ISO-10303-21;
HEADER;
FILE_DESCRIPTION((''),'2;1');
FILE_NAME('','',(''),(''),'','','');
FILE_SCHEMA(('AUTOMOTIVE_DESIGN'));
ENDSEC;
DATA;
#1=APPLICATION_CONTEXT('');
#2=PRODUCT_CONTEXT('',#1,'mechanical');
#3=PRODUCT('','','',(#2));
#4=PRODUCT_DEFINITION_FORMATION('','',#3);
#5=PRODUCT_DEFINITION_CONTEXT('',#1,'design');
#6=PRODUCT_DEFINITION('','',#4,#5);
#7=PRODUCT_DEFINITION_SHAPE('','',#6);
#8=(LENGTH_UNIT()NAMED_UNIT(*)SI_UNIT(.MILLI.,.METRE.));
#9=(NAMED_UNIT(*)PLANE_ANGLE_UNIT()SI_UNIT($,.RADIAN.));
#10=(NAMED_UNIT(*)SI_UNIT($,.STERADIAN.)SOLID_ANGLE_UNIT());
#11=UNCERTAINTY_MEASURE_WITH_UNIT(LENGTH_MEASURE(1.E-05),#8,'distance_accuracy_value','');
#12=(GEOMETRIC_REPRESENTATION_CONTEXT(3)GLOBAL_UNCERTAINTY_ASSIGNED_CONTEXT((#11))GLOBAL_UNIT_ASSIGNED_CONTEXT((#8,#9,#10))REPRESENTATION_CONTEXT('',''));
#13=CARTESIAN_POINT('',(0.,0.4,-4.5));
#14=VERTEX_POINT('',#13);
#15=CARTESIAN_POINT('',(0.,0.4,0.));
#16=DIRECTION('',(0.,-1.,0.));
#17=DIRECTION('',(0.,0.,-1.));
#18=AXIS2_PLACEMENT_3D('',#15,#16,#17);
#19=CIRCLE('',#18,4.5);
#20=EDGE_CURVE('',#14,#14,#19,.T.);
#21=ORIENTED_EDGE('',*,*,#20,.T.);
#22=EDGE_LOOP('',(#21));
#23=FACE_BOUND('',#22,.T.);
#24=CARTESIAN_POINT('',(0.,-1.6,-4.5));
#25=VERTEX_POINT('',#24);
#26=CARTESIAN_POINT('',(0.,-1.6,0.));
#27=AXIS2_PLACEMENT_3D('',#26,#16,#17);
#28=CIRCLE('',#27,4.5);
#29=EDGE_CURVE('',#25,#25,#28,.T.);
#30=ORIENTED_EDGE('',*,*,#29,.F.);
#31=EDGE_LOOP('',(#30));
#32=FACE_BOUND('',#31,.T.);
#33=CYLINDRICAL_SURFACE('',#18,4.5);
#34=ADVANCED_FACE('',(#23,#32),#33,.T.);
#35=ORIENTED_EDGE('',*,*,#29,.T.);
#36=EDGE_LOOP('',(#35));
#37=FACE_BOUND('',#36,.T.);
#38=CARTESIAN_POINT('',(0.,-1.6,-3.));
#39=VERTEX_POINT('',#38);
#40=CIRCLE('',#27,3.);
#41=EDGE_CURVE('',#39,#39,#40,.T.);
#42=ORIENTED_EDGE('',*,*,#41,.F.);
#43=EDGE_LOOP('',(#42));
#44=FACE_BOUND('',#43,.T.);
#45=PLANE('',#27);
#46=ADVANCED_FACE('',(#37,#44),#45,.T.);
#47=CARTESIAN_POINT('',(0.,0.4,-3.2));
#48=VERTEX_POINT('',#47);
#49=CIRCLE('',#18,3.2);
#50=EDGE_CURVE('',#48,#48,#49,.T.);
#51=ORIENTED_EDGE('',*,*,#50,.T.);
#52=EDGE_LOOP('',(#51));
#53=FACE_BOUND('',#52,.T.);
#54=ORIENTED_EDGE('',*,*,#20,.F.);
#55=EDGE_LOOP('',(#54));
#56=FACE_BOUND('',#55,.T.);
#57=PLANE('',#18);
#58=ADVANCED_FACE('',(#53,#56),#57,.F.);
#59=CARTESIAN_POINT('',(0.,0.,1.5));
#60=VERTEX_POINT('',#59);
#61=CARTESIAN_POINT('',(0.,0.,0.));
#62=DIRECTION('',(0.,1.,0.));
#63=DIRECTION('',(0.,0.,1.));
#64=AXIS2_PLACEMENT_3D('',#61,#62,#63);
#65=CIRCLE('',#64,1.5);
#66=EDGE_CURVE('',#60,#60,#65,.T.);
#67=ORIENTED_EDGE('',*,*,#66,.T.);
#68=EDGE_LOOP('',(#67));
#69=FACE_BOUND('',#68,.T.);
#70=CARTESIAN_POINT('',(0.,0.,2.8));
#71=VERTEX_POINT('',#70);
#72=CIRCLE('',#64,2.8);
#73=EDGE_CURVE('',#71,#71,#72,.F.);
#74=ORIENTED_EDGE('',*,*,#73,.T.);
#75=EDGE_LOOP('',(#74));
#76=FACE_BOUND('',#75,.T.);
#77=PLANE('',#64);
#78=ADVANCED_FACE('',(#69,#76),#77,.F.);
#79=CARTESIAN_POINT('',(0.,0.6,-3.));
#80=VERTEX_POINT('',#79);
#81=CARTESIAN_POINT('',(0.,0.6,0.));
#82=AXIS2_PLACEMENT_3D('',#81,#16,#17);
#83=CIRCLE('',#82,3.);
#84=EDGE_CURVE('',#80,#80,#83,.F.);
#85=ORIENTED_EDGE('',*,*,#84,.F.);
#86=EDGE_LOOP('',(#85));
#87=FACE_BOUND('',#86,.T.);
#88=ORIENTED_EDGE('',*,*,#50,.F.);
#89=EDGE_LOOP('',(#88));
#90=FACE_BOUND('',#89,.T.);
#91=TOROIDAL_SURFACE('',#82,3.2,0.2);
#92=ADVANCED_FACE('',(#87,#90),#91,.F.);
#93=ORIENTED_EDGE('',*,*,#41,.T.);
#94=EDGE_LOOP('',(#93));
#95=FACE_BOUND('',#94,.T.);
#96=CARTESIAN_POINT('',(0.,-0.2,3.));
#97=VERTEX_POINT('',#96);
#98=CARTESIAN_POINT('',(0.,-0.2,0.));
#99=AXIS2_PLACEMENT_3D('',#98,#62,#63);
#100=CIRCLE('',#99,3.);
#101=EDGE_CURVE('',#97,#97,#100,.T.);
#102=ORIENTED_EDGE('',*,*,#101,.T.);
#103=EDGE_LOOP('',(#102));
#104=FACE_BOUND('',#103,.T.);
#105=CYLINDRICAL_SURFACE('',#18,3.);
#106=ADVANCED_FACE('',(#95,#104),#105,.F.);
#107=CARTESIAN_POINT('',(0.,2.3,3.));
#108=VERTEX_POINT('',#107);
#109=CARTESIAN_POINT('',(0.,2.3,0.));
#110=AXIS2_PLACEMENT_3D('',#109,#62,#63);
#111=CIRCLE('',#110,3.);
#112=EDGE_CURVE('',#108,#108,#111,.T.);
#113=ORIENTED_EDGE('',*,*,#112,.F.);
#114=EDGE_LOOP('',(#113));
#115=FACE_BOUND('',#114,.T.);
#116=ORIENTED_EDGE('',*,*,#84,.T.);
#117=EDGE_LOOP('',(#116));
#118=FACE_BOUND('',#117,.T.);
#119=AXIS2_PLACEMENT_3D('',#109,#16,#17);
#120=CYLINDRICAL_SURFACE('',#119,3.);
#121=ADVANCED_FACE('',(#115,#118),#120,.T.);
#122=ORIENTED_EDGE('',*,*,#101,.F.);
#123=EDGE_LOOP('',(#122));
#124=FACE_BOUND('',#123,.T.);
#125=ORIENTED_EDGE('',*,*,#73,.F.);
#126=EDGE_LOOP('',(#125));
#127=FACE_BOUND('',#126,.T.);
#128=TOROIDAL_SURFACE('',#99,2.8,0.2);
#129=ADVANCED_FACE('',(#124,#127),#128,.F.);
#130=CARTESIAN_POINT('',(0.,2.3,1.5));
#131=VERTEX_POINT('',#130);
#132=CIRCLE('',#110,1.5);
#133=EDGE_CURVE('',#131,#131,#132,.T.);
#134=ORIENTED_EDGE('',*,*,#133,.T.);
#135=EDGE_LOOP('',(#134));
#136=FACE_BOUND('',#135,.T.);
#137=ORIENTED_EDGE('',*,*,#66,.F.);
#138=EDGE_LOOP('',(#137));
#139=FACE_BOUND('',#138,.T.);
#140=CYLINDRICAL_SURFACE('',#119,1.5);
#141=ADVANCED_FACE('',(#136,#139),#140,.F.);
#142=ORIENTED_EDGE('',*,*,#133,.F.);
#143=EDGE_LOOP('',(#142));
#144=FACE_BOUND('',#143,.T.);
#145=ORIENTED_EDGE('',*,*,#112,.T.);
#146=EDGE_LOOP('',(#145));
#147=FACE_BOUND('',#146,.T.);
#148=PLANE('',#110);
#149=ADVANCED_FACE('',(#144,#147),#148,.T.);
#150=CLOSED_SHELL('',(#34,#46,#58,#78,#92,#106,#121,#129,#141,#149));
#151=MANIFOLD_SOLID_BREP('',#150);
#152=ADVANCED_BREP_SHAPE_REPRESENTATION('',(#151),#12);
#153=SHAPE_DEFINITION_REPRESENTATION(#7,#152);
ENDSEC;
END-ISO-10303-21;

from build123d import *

# Parameters (mm, degrees)
SKETCH1_R                = 3
BOSS_EXTRUDE1_DEPTH      = 2.3
SHELL1_T                 = -1.5
BOSS_EXTRUDE2_DEPTH      = 1.6
BOSS_EXTRUDE2_DEPTH_BACK = 0.4
SKETCH2_R                = 4.5
SKETCH2_R_2              = 3
FILLET4_R                = 0.2


with BuildPart() as part:
    # Sketch1 → Boss-Extrude1 (new body)
    with BuildSketch(Plane(origin=(0, 0, 0), x_dir=(1, 0, 0), z_dir=(0, 1, 0))):
        with Locations(Location((0, 0, 0), (0, 0, 270))):
            Circle(SKETCH1_R)
    extrude(amount=BOSS_EXTRUDE1_DEPTH)

    # Shell1
    shell1_openings = [part.faces().sort_by_distance(p)[0] for p in [
        (0, 2.3, 0),
        (0, 0, 0),
    ]]
    offset(amount=SHELL1_T, openings=shell1_openings, kind=Kind.INTERSECTION)

    # Sketch2 → Boss-Extrude2 (add, two sides: drawn at the far end of the back side and taken through both)
    with BuildSketch(Plane.XZ.offset(-BOSS_EXTRUDE2_DEPTH_BACK)):
        with Locations(Location((0, 0, 0), (0, 0, 270))):
            Circle(SKETCH2_R)
        with Locations(Location((0, 0, 0), (0, 0, 270))):
            Circle(SKETCH2_R_2, mode=Mode.SUBTRACT)
    extrude(amount=BOSS_EXTRUDE2_DEPTH + BOSS_EXTRUDE2_DEPTH_BACK)

    # Fillet4
    fillet4_edges = [part.edges().sort_by_distance(p)[0] for p in [
        (0, 0.4, -3),
        (0, 0, 3),
    ]]
    fillet(fillet4_edges, radius=FILLET4_R)


solid = part.part
